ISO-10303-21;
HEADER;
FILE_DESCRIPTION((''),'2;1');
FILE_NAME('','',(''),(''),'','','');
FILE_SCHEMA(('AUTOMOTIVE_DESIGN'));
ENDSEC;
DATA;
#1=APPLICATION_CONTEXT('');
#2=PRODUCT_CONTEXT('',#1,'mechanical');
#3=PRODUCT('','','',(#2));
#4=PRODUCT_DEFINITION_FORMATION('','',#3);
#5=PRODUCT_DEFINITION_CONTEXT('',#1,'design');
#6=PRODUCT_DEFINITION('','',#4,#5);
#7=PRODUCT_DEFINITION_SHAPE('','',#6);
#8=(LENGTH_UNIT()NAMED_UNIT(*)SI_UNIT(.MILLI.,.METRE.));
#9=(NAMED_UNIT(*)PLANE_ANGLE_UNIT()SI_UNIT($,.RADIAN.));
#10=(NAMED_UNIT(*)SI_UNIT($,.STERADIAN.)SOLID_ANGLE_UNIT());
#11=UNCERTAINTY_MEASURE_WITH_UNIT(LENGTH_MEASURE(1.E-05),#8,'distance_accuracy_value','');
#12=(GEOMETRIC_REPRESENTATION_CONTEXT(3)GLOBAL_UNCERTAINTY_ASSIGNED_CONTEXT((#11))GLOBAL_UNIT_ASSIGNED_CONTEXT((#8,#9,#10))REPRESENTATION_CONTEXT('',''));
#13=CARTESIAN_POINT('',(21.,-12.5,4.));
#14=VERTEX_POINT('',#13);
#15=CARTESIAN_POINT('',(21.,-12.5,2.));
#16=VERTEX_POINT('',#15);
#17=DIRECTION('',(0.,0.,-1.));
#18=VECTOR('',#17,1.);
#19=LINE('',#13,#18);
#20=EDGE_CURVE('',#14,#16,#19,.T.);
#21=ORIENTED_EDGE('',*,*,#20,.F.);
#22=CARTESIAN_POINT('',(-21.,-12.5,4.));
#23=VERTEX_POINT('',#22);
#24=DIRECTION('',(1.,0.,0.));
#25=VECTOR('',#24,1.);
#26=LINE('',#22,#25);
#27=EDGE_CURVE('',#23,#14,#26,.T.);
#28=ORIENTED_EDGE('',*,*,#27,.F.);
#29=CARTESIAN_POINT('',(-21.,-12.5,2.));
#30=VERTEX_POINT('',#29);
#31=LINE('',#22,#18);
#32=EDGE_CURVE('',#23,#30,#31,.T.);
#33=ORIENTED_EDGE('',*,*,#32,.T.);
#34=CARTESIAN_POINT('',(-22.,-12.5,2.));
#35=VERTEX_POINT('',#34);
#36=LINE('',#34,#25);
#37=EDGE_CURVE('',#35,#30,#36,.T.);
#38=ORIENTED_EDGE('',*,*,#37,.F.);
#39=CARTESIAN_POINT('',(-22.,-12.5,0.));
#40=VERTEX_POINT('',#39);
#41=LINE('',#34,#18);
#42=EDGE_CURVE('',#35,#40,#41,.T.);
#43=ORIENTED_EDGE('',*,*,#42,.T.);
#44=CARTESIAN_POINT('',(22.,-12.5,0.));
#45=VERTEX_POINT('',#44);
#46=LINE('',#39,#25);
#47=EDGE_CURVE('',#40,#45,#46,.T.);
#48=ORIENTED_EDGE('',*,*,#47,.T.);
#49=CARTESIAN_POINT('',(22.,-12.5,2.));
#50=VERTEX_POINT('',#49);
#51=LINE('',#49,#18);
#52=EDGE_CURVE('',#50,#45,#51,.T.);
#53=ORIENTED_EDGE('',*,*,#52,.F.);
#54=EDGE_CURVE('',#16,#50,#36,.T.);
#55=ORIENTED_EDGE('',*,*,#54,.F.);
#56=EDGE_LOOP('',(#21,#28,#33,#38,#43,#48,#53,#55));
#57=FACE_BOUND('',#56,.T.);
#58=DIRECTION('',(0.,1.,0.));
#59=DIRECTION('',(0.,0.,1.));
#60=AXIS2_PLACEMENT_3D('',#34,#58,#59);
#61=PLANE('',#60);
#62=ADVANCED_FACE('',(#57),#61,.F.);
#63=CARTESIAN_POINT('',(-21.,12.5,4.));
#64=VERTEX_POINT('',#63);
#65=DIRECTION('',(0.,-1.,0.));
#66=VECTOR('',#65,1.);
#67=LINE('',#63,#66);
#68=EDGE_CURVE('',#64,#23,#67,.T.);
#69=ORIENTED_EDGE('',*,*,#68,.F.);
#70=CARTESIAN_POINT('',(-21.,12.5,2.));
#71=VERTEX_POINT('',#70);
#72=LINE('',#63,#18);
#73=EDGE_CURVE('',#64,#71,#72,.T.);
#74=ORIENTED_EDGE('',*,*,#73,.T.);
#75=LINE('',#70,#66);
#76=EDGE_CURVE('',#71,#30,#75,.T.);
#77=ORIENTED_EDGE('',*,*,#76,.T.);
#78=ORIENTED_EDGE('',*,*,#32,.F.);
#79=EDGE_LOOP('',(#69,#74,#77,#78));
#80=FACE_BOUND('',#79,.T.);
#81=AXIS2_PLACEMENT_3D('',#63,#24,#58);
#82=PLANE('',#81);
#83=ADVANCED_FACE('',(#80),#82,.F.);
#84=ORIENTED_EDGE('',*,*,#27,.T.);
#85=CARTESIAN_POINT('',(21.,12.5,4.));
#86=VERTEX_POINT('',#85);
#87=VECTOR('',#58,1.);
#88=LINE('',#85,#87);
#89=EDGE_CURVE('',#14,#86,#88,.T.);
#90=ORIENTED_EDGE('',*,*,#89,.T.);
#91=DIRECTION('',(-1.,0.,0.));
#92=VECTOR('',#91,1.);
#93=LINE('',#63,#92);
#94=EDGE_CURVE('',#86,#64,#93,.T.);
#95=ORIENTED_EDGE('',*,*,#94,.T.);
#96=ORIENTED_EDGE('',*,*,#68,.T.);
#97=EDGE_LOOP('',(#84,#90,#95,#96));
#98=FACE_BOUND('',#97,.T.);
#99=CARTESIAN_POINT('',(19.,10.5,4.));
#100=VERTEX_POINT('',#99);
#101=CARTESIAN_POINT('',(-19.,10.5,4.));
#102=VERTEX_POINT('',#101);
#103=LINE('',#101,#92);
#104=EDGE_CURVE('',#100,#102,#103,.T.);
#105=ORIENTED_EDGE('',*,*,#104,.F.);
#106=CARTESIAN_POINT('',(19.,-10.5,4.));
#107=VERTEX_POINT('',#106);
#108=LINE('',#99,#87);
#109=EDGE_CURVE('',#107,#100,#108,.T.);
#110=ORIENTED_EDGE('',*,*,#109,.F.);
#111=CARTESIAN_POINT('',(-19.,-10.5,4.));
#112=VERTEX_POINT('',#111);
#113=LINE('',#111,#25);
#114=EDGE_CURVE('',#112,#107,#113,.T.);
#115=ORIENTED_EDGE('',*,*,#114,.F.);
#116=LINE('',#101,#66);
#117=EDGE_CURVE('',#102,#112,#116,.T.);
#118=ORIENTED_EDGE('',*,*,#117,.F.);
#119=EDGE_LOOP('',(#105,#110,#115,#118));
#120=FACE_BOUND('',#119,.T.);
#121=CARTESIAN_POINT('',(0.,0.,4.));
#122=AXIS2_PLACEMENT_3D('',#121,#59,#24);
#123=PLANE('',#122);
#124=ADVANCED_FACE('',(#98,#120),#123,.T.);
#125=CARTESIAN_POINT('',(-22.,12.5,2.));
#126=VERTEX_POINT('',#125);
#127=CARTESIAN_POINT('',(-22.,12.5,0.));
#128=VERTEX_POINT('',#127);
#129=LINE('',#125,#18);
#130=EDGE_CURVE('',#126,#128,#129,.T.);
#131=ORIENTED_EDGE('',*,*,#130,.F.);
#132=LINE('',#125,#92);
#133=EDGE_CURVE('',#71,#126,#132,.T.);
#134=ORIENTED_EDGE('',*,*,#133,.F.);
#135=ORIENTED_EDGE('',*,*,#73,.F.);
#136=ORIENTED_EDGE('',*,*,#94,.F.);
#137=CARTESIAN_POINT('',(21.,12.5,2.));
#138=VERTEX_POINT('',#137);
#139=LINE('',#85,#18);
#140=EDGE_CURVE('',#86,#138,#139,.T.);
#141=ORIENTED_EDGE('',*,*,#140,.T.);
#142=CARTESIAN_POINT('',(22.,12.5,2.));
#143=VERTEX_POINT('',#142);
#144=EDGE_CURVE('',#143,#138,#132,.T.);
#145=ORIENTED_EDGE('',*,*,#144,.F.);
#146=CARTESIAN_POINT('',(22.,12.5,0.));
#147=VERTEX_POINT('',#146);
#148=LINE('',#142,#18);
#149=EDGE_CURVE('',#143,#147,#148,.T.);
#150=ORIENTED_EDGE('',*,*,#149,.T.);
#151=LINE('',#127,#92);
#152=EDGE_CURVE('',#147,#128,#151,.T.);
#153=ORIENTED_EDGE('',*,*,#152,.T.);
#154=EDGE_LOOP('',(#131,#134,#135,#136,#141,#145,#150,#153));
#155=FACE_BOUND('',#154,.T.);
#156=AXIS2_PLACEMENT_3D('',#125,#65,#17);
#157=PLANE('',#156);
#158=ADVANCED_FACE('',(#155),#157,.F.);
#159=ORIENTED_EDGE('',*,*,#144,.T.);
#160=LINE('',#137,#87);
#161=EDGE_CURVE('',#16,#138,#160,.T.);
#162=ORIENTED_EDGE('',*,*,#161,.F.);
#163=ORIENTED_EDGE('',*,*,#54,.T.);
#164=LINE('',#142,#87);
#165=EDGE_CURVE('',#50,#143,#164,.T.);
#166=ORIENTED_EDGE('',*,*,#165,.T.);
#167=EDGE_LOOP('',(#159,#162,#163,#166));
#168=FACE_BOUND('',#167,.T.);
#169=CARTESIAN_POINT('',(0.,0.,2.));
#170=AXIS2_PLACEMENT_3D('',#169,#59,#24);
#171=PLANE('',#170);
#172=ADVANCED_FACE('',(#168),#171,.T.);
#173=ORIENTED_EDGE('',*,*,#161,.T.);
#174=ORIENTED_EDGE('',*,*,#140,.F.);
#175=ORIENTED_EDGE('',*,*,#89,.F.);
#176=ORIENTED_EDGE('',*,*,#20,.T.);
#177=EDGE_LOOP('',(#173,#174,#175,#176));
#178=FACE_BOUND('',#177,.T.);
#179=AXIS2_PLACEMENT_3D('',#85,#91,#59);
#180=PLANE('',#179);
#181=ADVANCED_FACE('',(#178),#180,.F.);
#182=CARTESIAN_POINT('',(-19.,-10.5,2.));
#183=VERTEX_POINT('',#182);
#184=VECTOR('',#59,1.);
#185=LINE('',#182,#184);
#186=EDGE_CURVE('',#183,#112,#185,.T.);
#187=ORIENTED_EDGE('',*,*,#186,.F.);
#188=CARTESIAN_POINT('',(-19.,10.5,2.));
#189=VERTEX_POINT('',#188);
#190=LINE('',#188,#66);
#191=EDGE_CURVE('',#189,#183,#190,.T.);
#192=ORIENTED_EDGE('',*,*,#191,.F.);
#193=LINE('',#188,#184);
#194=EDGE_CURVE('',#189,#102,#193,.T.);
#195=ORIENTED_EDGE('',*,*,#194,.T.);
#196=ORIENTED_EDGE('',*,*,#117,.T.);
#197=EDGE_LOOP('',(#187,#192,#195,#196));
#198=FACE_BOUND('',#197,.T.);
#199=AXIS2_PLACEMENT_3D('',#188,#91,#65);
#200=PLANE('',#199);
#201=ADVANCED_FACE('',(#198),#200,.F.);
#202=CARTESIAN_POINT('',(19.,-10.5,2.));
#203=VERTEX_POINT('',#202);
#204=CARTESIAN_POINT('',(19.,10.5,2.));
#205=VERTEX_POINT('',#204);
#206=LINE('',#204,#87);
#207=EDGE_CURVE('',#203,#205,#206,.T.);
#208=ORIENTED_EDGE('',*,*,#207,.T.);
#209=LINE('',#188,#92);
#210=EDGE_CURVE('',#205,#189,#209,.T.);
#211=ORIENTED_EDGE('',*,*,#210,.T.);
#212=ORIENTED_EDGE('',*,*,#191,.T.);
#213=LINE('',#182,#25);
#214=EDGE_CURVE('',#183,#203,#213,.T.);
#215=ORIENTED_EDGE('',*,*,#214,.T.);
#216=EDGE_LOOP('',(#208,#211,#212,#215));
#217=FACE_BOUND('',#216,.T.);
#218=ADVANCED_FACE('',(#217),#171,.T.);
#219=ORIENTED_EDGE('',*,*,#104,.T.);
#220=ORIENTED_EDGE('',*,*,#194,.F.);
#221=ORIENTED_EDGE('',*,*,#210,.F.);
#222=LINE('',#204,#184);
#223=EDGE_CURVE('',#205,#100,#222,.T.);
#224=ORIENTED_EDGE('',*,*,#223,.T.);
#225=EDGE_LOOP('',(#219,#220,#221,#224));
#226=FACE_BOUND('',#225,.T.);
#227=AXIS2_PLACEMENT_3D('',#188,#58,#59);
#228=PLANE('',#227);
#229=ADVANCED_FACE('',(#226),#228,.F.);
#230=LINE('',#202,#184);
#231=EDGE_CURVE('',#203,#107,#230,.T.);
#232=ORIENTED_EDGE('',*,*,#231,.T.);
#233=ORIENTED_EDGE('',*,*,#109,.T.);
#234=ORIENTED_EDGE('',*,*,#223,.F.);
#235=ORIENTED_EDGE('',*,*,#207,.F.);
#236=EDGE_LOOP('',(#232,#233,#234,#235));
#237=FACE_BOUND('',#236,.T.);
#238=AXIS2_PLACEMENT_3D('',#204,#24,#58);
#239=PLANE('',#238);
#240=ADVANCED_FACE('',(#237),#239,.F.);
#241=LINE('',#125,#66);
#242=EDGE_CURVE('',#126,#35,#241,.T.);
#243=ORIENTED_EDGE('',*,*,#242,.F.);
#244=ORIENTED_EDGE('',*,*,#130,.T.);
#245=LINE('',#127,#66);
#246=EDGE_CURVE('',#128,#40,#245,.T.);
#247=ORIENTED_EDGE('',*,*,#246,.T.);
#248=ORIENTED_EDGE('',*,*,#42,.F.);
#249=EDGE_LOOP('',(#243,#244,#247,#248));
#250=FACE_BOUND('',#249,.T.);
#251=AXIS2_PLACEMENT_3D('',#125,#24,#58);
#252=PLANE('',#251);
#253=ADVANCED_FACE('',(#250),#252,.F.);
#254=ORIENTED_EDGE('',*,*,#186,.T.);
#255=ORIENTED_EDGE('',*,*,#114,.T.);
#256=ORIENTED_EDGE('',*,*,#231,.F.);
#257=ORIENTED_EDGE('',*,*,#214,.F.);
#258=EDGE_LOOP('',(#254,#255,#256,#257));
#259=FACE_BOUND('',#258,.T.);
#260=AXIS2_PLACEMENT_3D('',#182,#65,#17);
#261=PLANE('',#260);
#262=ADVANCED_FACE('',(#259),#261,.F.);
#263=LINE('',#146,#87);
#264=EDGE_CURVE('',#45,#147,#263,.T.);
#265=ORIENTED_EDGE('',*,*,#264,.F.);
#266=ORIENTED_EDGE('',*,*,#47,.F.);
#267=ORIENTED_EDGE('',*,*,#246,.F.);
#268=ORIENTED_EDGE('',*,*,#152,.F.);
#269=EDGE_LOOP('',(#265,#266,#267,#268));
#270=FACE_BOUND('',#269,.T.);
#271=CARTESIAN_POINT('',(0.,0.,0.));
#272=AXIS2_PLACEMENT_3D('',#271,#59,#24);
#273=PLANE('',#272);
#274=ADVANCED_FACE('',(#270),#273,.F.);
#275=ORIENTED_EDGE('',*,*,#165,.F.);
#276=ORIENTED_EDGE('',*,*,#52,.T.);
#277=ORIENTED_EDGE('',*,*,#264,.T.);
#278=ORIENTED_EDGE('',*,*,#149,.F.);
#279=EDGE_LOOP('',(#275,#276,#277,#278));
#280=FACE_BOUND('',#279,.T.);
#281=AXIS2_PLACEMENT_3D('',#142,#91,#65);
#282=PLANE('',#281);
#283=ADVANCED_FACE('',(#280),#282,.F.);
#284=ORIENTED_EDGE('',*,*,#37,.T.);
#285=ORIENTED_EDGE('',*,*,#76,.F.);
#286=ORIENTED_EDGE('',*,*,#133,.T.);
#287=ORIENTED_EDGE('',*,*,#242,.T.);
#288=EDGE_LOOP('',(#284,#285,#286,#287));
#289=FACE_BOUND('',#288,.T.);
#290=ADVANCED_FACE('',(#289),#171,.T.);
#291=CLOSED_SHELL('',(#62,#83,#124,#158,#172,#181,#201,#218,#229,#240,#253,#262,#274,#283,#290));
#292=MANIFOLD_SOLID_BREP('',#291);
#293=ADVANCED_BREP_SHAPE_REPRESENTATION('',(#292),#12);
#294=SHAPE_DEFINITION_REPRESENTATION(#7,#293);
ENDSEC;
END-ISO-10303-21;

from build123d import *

# Parameters (mm, degrees)
IZIM1_W                     = 44
IZIM1_H                     = 25
Y_KSEKLIK_EKSTR_ZYON1_DEPTH = 2
IZIM3_W                     = 42
IZIM3_H                     = 25
Y_KSEKLIK_EKSTR_ZYON2_DEPTH = 2
IZIM5_W                     = 38
IZIM5_H                     = 21
KES_EKSTR_ZYON1_DEPTH       = 2


with BuildPart() as part:
    # Çizim1 → Yükseklik-Ekstrüzyon1 (new body)
    with BuildSketch(Plane.XY):
        Rectangle(IZIM1_W, IZIM1_H)
    extrude(amount=Y_KSEKLIK_EKSTR_ZYON1_DEPTH)

    # Çizim3 → Yükseklik-Ekstrüzyon2 (add)
    with BuildSketch(Plane.XY.offset(2)):
        Rectangle(IZIM3_W, IZIM3_H)
    extrude(amount=Y_KSEKLIK_EKSTR_ZYON2_DEPTH)

    # Çizim5 → Kes-Ekstrüzyon1 (cut)
    with BuildSketch(Plane.XY.offset(4)):
        Rectangle(IZIM5_W, IZIM5_H)
    extrude(amount=-KES_EKSTR_ZYON1_DEPTH, mode=Mode.SUBTRACT)


solid = part.part
